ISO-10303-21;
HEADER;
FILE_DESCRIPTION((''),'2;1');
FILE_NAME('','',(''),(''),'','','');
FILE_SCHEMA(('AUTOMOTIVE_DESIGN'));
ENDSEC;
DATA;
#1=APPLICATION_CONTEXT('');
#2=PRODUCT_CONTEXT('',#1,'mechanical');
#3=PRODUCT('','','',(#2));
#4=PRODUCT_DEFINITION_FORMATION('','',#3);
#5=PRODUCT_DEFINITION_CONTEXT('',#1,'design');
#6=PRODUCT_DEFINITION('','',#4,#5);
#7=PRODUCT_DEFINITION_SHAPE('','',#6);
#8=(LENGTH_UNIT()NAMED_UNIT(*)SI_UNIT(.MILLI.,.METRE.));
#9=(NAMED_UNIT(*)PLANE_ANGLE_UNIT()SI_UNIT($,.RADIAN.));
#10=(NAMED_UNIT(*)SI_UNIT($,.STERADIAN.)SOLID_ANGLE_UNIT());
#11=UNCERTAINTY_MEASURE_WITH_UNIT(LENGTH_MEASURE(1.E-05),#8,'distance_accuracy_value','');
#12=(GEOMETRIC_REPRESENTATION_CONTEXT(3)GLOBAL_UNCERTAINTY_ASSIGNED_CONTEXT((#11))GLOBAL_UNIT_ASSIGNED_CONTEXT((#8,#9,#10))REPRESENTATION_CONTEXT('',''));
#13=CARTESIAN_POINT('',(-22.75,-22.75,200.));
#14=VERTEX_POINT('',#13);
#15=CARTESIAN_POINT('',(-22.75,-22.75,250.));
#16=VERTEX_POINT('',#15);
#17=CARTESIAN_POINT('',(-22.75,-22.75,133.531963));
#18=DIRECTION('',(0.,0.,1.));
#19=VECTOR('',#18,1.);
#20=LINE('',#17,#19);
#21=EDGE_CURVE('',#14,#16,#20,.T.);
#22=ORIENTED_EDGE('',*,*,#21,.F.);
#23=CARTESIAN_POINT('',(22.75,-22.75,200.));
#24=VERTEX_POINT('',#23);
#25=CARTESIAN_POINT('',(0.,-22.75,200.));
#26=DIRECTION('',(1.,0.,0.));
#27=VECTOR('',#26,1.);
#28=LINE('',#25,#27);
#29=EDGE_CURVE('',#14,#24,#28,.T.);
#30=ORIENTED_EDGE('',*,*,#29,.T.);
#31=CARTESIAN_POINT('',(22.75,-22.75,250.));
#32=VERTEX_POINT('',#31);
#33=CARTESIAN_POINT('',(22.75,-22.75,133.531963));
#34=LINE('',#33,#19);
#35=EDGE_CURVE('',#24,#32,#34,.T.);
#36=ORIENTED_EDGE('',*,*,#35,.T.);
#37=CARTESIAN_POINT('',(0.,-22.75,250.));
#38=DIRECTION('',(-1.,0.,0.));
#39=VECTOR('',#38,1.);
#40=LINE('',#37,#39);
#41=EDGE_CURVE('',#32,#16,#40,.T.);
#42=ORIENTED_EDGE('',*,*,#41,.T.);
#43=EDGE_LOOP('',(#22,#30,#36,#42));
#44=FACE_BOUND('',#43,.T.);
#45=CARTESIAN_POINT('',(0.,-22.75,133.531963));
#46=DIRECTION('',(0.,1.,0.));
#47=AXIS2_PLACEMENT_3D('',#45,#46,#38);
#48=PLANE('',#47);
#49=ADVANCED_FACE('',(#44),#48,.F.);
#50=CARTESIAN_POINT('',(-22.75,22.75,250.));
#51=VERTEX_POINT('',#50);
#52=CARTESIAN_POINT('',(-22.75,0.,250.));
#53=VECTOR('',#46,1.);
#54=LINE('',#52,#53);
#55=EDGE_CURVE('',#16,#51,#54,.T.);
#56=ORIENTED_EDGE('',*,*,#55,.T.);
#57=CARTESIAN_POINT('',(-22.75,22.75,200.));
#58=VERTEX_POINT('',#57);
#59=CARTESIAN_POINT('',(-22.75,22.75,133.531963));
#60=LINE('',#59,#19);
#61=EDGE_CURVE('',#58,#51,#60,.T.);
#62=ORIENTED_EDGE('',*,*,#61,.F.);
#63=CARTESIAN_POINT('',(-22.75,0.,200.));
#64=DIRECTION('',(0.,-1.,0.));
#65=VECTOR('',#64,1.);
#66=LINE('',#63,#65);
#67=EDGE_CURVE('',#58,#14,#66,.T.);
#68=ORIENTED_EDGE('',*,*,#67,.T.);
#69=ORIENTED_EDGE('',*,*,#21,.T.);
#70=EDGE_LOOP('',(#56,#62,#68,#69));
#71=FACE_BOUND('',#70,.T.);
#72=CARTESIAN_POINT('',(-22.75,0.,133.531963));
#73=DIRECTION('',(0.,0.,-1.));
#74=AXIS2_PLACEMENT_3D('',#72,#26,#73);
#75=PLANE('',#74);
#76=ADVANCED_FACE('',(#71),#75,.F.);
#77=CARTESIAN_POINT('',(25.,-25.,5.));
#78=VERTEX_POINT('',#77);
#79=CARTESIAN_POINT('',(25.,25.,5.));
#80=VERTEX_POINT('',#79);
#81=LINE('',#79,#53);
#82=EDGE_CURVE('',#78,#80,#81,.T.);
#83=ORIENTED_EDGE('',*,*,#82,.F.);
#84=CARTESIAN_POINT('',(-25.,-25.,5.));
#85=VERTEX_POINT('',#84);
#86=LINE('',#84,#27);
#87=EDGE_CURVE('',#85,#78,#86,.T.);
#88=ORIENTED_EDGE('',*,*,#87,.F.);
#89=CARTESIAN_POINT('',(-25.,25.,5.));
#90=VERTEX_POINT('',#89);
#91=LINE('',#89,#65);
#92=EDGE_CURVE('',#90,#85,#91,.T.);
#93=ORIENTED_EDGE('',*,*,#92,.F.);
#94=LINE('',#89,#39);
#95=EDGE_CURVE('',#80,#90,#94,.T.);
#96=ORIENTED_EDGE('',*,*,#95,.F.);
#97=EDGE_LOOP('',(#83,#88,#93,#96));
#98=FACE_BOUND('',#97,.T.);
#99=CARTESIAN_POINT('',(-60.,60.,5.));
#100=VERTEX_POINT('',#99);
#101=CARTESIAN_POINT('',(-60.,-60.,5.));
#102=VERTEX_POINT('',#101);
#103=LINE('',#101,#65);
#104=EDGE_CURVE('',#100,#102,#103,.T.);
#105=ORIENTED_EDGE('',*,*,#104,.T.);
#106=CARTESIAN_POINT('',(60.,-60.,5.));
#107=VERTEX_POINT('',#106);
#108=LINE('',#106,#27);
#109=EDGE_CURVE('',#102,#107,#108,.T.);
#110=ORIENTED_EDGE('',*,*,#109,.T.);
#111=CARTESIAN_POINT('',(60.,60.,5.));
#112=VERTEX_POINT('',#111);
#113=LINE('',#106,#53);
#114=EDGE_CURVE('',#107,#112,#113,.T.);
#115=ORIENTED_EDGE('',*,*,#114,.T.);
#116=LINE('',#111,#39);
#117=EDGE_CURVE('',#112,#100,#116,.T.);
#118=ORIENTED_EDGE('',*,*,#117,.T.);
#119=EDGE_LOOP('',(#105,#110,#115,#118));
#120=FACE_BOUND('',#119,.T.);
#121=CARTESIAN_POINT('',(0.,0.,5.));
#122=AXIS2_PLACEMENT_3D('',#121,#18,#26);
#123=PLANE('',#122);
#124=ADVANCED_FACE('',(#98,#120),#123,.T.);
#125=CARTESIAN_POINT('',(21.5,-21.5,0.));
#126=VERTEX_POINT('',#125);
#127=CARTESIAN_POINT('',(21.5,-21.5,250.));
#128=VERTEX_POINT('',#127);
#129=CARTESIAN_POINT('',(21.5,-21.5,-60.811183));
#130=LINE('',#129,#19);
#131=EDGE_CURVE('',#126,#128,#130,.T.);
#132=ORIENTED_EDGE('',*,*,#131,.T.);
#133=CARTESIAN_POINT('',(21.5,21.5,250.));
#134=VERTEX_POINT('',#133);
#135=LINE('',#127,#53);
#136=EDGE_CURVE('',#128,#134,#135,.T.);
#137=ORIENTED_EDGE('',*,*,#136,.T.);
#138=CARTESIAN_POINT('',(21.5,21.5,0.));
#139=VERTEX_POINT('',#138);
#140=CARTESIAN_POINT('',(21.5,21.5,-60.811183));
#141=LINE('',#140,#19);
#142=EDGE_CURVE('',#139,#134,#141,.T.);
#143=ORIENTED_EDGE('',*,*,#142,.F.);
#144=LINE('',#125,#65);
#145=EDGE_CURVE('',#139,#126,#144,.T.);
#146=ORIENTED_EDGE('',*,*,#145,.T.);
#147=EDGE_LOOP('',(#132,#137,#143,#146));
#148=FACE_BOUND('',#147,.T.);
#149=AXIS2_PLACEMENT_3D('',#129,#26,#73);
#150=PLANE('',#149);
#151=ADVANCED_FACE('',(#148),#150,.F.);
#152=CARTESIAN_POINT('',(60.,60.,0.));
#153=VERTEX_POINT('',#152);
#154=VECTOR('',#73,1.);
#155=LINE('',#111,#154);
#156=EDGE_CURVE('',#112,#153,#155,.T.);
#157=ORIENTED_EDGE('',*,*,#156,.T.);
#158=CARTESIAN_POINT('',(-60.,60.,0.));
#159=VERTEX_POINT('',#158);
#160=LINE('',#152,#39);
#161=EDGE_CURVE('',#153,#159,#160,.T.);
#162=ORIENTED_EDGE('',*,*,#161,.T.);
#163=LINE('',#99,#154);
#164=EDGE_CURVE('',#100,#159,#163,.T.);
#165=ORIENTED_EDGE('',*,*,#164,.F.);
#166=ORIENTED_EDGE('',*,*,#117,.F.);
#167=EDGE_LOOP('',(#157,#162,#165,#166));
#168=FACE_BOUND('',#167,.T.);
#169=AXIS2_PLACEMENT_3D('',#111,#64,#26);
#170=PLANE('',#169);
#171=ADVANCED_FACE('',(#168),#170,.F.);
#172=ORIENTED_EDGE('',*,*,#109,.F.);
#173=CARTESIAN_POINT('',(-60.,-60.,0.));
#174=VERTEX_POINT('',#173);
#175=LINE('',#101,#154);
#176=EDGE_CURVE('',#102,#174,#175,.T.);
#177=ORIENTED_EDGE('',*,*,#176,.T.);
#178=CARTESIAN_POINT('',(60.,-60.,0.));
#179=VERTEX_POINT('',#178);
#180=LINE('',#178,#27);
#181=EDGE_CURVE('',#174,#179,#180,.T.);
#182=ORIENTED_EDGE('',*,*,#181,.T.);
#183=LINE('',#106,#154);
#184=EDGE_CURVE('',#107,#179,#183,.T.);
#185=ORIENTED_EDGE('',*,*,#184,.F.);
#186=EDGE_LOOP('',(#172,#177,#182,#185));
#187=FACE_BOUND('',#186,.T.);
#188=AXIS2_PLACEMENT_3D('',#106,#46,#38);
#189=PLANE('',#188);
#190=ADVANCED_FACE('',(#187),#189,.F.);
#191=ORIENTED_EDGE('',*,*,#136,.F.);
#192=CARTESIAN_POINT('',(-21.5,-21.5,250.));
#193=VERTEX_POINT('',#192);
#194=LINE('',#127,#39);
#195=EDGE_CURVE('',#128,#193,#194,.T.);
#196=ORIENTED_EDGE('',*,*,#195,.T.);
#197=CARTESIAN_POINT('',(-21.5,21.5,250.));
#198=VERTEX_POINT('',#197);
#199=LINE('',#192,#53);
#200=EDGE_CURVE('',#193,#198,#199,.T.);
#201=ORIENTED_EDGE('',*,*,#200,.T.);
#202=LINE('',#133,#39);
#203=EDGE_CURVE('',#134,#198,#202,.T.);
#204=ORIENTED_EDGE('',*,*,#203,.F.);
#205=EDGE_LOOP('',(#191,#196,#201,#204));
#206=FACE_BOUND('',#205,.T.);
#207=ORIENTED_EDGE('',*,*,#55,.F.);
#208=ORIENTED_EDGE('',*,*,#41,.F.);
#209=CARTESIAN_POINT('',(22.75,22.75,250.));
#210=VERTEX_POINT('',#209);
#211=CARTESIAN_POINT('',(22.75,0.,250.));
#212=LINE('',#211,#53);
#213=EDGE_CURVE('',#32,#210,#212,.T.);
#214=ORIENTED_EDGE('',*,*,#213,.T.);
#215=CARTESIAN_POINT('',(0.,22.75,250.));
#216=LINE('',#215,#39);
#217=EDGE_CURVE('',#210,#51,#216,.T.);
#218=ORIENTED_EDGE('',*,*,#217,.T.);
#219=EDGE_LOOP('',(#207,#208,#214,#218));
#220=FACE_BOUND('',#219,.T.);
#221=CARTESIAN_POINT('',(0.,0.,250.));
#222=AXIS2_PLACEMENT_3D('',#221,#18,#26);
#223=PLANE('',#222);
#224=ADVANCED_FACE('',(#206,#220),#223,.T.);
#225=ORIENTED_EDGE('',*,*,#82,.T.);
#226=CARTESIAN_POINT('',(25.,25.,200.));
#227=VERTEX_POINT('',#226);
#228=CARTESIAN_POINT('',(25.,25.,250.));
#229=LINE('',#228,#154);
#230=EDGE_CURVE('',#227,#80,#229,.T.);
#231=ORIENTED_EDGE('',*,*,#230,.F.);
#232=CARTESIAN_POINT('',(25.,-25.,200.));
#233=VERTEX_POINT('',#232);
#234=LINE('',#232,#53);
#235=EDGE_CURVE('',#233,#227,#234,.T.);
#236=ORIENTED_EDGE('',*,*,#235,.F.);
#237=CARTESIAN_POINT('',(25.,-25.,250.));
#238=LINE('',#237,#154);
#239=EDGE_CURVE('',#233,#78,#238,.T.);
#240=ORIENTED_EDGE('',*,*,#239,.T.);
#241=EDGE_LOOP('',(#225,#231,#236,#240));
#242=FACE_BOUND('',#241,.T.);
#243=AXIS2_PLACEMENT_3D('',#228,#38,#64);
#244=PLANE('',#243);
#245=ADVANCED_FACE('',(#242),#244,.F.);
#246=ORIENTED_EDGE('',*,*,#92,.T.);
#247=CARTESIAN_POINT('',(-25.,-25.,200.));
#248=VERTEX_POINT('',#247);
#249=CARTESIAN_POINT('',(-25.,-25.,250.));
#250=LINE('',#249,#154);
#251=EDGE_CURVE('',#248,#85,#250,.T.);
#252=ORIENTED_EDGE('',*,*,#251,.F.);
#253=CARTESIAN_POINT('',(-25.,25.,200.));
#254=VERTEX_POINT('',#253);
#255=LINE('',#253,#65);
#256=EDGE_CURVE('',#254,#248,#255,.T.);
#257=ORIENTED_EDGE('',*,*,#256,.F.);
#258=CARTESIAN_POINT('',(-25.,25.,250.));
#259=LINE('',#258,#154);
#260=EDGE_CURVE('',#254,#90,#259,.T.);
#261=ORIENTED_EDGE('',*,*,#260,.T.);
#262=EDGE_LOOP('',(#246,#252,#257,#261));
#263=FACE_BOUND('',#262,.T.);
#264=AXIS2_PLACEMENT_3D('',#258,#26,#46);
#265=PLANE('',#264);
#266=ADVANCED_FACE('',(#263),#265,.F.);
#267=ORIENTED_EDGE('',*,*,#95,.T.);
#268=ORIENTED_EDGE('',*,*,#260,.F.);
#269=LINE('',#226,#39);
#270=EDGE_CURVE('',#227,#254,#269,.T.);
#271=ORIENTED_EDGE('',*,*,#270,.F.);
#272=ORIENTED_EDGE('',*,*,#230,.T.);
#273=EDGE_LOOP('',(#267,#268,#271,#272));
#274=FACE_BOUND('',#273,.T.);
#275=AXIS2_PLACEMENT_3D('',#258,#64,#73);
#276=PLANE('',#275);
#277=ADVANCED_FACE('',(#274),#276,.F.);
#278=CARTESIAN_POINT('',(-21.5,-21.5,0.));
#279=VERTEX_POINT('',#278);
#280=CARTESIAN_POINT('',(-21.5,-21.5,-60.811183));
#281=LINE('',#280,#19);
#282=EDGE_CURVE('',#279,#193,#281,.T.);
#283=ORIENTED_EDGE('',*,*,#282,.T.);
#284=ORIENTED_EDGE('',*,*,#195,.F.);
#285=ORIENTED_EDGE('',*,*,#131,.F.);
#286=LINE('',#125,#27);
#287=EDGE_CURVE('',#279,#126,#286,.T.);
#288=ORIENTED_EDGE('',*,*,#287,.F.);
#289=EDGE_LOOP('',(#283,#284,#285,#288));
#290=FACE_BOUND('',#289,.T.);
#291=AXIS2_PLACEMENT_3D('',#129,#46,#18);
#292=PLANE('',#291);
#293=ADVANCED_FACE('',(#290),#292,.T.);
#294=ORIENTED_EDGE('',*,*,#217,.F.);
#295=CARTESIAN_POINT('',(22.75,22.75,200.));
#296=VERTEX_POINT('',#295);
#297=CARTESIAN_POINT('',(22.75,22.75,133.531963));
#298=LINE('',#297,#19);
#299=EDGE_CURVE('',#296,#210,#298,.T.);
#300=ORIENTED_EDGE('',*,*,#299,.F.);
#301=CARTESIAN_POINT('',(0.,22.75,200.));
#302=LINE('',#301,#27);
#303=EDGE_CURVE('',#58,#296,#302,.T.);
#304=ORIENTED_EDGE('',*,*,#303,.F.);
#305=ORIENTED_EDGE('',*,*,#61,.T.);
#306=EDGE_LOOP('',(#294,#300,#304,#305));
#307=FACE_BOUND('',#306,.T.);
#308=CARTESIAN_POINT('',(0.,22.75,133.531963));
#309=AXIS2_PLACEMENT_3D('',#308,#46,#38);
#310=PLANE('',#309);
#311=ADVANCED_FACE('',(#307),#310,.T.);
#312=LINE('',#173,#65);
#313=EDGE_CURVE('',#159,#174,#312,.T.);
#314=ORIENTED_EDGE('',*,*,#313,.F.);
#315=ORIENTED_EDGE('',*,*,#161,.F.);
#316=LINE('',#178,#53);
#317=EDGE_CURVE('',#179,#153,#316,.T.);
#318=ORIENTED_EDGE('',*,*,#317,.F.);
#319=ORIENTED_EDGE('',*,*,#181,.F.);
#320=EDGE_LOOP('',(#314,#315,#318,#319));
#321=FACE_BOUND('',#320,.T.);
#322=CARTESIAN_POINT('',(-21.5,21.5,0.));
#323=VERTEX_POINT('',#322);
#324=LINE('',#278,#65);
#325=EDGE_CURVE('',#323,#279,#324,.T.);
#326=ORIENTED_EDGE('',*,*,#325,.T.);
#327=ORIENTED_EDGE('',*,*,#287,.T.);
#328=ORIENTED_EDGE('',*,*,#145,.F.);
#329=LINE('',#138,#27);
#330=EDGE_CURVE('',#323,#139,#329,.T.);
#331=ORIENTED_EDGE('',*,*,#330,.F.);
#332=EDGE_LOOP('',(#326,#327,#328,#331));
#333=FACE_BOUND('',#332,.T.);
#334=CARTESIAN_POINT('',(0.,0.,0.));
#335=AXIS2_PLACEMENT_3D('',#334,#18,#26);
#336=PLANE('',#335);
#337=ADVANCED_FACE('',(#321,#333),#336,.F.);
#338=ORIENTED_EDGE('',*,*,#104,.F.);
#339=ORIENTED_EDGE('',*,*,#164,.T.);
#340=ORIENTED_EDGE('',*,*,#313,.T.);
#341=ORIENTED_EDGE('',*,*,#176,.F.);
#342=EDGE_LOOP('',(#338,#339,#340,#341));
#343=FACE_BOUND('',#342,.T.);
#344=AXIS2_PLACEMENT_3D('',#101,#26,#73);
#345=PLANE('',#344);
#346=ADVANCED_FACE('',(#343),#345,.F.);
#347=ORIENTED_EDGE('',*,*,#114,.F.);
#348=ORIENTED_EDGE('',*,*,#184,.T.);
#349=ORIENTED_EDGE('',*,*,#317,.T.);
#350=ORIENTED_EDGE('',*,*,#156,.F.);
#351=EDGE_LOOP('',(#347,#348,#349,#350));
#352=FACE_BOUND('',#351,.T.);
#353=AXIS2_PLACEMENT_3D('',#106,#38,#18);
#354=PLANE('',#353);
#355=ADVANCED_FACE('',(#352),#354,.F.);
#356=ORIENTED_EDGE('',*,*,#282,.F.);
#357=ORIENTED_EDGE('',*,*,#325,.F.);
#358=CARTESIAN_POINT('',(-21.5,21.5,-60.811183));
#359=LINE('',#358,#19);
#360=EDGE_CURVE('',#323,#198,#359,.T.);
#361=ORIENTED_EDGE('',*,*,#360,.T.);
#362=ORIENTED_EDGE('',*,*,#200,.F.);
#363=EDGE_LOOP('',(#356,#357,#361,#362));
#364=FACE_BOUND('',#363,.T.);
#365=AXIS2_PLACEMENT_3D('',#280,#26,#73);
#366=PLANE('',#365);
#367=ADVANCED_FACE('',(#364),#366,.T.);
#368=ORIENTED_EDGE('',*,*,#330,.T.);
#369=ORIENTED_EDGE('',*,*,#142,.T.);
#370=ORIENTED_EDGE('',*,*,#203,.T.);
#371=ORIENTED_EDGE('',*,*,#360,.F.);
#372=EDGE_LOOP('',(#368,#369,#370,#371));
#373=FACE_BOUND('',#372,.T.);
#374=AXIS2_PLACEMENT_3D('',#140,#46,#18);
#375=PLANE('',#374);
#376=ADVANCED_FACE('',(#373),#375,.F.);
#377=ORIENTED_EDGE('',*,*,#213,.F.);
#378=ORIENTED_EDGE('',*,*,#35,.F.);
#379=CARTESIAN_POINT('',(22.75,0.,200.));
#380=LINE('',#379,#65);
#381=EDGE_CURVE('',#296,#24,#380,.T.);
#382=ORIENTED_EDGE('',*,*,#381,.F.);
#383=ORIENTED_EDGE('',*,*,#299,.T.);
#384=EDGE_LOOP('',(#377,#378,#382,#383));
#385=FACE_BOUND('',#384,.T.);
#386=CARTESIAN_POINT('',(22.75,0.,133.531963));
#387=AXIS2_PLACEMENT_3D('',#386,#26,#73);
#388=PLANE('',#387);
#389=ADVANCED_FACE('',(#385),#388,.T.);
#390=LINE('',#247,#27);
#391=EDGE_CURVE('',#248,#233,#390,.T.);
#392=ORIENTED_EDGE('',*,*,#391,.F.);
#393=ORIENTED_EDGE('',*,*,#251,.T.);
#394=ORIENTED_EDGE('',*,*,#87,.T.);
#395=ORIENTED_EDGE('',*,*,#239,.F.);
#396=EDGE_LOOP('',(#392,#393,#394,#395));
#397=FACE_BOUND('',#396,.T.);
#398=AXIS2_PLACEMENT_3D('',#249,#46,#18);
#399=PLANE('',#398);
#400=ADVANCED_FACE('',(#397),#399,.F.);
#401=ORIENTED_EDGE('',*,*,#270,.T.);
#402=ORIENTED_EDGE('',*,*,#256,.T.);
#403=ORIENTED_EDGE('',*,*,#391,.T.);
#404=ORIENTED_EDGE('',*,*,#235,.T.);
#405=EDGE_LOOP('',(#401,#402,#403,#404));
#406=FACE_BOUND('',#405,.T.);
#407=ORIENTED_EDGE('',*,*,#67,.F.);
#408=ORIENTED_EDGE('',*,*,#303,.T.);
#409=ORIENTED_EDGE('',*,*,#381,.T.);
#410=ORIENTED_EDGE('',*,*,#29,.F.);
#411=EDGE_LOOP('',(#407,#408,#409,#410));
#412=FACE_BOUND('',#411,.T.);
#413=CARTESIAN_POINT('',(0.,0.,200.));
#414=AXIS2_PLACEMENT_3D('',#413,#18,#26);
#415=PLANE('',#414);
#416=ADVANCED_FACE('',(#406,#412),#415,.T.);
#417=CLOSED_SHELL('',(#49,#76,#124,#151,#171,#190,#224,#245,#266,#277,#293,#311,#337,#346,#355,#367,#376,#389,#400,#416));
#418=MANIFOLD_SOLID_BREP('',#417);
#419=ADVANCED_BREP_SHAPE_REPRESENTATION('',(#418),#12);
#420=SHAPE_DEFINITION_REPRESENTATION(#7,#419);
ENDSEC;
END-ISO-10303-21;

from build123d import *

# Parameters (mm, degrees)
SKETCH_1_W          = 120
SKETCH_1_H          = 120
EXTRUDE_1_DEPTH     = 5
SKETCH_2_W          = 50
SKETCH_2_H          = 50
EXTRUDE_2_DEPTH     = 245
SKETCH_3_W          = 43
SKETCH_3_H          = 43
CUT_EXTRUDE_2_DEPTH = 250
SKETCH_6_W          = 50
SKETCH_6_H          = 50
SKETCH_6_W_2        = 47
SKETCH_6_H_2        = 47
CUT_EXTRUDE_5_DEPTH = 50
SKETCH_7_W          = 47
SKETCH_7_H          = 47
SKETCH_7_W_2        = 45.5
SKETCH_7_H_2        = 45.5
CUT_EXTRUDE_8_DEPTH = 50


with BuildPart() as part:
    # 草图1 → 凸台-拉伸1 (new body)
    with BuildSketch(Plane.XY):
        Rectangle(SKETCH_1_W, SKETCH_1_H)
    extrude(amount=EXTRUDE_1_DEPTH)

    # 草图2 → 凸台-拉伸2 (add)
    with BuildSketch(Plane.XY.offset(5)):
        Rectangle(SKETCH_2_W, SKETCH_2_H)
    extrude(amount=EXTRUDE_2_DEPTH)

    # 草图3 → 切除-拉伸2 (cut)
    with BuildSketch(Plane.XY.offset(250)):
        Rectangle(SKETCH_3_W, SKETCH_3_H)
    extrude(amount=-CUT_EXTRUDE_2_DEPTH, mode=Mode.SUBTRACT)

    # 草图6 → 切除-拉伸5 (cut)
    with BuildSketch(Plane.XY.offset(250)):
        Rectangle(SKETCH_6_W, SKETCH_6_H)
        Rectangle(SKETCH_6_W_2, SKETCH_6_H_2, mode=Mode.SUBTRACT)
    extrude(amount=-CUT_EXTRUDE_5_DEPTH, mode=Mode.SUBTRACT)

    # 草图7 → 切除-拉伸8 (cut)
    with BuildSketch(Plane.XY.offset(250)):
        Rectangle(SKETCH_7_W, SKETCH_7_H)
        Rectangle(SKETCH_7_W_2, SKETCH_7_H_2, mode=Mode.SUBTRACT)
    extrude(amount=-CUT_EXTRUDE_8_DEPTH, mode=Mode.SUBTRACT)


solid = part.part
